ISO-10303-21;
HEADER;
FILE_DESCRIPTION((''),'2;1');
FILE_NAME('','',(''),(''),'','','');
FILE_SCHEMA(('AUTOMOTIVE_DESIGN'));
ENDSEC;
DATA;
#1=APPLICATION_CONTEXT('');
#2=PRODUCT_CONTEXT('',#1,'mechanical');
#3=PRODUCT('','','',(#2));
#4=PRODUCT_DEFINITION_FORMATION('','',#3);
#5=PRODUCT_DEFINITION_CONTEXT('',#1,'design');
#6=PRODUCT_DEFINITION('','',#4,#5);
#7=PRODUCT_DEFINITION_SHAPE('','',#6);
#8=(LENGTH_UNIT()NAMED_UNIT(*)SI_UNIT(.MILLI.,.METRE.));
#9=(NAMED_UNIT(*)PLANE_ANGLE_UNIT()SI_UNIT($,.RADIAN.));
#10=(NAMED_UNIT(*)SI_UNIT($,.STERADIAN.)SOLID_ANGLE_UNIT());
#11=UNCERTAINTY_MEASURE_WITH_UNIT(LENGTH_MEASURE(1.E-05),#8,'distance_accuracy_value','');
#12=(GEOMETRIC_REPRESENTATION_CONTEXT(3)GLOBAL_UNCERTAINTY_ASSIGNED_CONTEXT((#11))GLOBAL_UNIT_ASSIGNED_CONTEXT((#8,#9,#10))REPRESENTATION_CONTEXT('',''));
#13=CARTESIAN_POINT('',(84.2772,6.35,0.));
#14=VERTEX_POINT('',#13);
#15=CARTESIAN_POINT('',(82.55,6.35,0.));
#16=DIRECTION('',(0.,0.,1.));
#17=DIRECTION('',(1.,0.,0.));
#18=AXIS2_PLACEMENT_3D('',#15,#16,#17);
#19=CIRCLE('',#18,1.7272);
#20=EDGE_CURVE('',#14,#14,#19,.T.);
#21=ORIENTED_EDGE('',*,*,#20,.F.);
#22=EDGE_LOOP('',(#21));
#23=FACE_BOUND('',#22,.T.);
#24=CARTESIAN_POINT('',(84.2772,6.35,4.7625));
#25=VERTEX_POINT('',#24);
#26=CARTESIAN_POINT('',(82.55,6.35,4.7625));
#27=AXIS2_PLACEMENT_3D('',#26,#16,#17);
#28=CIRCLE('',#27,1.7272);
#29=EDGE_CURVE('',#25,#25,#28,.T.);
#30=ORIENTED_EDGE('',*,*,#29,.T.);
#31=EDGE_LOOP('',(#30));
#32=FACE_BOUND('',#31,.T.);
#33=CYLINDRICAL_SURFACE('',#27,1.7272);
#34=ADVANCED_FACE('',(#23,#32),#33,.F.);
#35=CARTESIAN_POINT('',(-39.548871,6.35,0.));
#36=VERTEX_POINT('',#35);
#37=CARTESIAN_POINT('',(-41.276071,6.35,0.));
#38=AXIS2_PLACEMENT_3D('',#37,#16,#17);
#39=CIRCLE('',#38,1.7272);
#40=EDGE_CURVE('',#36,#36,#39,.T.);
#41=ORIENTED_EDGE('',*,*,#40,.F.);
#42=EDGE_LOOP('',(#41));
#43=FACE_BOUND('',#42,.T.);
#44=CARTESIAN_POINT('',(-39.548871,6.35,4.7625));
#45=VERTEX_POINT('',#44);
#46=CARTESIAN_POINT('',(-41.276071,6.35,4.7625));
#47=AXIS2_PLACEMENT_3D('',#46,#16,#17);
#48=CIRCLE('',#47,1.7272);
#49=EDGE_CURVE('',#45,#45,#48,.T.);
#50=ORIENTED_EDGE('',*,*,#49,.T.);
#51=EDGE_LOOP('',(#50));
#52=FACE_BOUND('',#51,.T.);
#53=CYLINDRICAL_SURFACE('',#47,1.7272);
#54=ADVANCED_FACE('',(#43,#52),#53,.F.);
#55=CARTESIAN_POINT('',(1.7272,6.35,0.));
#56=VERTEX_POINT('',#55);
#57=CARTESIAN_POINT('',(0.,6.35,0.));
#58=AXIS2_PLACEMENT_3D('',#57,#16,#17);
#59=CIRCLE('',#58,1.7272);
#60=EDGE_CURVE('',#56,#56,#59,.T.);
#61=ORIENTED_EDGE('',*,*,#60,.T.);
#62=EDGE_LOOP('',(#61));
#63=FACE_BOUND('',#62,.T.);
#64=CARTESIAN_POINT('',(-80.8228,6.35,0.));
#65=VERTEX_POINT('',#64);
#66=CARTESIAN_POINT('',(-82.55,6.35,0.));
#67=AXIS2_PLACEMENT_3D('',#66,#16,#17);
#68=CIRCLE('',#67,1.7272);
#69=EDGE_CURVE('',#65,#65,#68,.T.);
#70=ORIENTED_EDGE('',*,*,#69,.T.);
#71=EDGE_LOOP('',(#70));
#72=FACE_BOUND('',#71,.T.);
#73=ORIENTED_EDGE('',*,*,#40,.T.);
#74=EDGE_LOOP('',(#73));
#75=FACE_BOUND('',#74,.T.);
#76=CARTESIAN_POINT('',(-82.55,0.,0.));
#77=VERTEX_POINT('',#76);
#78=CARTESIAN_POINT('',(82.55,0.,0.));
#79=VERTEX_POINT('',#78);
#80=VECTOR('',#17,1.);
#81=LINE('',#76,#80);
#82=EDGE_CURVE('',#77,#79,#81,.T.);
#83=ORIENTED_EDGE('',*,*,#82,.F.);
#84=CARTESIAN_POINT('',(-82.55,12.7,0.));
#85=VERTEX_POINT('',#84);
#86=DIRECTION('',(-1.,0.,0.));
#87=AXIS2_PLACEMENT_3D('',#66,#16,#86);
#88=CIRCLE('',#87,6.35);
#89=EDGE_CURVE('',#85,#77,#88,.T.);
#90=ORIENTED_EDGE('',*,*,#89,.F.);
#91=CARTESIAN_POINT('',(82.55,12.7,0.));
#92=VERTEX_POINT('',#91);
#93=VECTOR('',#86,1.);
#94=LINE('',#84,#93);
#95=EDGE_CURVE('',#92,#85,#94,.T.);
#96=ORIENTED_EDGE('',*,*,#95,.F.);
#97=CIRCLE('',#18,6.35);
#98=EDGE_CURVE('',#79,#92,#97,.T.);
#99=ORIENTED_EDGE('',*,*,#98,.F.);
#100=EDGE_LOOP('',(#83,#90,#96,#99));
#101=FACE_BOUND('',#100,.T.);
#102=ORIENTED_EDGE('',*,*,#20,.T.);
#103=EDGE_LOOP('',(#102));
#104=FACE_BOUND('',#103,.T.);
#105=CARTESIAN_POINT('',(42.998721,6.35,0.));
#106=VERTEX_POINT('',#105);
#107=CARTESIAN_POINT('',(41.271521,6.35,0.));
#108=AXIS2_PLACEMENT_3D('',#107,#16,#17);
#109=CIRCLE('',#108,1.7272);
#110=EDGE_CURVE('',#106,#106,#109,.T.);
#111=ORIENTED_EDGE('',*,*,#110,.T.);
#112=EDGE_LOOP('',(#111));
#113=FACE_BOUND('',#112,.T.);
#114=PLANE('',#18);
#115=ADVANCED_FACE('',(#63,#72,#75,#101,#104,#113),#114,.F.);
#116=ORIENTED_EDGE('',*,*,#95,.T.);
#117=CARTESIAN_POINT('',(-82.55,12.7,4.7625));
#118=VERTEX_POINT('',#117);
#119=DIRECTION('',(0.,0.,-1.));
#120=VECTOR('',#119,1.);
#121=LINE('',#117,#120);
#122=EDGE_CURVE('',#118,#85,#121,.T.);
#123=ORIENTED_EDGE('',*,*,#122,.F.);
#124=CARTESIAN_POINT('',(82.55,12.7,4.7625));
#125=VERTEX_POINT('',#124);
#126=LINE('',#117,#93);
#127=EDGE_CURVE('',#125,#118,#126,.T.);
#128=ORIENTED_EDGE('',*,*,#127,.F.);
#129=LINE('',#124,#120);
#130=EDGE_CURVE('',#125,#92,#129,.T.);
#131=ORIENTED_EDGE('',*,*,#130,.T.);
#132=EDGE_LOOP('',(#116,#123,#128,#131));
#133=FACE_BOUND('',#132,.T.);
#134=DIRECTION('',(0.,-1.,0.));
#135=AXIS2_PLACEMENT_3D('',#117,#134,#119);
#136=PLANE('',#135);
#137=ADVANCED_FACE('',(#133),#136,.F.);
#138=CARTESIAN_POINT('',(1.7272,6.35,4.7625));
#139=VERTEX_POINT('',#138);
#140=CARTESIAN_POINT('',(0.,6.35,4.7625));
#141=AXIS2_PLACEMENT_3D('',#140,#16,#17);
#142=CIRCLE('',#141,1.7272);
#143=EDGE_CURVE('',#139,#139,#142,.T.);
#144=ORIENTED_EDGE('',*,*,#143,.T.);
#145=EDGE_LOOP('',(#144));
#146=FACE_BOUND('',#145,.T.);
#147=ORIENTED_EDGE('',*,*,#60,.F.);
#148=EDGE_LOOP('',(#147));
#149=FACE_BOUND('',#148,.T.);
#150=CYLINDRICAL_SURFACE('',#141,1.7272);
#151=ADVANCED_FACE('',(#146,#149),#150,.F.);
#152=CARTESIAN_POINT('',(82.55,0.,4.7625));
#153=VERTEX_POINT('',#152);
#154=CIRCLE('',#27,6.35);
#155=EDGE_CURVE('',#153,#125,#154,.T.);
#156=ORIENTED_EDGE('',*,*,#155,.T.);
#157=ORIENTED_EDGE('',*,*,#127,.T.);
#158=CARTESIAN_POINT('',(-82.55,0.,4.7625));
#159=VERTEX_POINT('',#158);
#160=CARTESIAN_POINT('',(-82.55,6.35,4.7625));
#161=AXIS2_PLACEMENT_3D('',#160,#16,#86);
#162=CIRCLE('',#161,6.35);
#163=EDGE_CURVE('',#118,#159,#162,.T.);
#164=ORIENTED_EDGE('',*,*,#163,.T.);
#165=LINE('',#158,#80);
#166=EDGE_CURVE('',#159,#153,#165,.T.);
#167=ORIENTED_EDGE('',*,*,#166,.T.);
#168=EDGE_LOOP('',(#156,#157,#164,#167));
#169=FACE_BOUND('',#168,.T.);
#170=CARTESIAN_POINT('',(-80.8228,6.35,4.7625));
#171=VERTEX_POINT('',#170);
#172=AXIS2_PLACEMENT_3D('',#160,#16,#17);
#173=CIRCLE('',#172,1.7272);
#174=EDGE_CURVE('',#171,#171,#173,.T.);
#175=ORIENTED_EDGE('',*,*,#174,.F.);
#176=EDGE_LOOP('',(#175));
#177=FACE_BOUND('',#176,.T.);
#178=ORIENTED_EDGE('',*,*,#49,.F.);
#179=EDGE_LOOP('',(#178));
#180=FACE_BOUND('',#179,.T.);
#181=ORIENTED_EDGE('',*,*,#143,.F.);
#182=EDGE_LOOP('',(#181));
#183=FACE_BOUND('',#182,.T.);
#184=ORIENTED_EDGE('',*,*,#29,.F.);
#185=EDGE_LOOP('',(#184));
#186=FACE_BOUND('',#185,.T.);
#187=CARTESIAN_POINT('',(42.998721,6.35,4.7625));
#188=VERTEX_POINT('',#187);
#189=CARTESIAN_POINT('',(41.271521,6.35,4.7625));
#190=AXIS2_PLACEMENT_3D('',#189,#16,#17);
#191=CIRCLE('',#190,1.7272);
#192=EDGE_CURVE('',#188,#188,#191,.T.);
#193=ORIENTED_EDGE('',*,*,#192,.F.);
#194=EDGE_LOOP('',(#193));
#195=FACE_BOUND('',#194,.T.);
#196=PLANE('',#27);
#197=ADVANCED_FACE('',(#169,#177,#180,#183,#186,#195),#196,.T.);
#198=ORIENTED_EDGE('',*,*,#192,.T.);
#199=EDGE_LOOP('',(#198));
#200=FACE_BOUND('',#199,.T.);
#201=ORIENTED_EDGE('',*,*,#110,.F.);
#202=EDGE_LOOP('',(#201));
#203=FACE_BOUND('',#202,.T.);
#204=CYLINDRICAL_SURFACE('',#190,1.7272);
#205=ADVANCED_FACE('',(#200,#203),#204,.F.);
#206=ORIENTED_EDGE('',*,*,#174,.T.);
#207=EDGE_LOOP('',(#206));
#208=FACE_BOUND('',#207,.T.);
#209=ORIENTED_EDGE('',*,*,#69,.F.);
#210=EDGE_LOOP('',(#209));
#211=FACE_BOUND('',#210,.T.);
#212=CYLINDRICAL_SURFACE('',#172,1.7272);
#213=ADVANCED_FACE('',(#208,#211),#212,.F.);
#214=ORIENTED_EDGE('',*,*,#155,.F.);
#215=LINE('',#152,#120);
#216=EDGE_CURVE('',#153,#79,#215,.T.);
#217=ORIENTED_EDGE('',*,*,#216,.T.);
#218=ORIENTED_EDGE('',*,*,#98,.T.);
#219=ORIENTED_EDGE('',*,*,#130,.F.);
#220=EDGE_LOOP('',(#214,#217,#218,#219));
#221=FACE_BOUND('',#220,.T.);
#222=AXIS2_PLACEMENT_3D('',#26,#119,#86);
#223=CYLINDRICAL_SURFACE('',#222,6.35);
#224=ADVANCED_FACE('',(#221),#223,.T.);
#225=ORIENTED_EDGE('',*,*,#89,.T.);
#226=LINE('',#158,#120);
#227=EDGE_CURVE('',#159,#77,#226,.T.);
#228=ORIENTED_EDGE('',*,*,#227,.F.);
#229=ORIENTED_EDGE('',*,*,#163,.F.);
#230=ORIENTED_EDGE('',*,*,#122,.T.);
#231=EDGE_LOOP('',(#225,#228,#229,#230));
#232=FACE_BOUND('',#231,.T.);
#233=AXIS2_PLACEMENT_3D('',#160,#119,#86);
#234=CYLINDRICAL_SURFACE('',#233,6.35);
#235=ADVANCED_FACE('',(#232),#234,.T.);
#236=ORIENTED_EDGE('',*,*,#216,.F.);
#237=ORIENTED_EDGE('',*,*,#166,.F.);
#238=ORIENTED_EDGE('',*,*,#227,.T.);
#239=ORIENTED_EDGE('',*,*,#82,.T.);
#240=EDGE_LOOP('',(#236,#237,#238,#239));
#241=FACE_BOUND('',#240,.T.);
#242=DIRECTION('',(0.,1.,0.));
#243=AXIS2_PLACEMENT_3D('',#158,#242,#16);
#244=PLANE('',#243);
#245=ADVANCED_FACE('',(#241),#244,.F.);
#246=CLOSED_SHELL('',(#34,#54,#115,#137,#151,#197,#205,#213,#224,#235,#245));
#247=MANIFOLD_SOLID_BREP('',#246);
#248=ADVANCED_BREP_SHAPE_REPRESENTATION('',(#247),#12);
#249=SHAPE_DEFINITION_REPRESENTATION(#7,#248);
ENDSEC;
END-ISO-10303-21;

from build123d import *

# Parameters (mm, degrees)
BOSS_EXTRUDE1_DEPTH       = 4.7625
F_8_32_TAPPED_HOLE1_D     = 3.4544
F_8_32_TAPPED_HOLE1_DEPTH = 12.192
F_8_32_TAPPED_HOLE1_TIP   = 1.037806461


with BuildPart() as part:
    # Sketch1 → Boss-Extrude1 (new body)
    with BuildSketch(Plane.XY):
        with BuildLine():
            Line((-82.55, 0), (82.55, 0))
            ThreePointArc((82.55, 0), (88.9, 6.35), (82.55, 12.7))
            Line((82.55, 12.7), (-82.55, 12.7))
            ThreePointArc((-82.55, 12.7), (-88.9, 6.35), (-82.55, 0))
        make_face()
    extrude(amount=BOSS_EXTRUDE1_DEPTH)

    # #8-32 Tapped Hole1
    with Locations(Plane.XY.offset(4.7625)):
        with Locations((-82.55, 6.35), (82.55, 6.35), (0, 6.35), (41.27152138, 6.35), (-41.276070924, 6.35)):
            Hole(F_8_32_TAPPED_HOLE1_D / 2, depth=F_8_32_TAPPED_HOLE1_DEPTH)
            with Locations((0, 0, -(F_8_32_TAPPED_HOLE1_DEPTH + F_8_32_TAPPED_HOLE1_TIP / 2))):  # 118° drill point
                Cone(0, F_8_32_TAPPED_HOLE1_D / 2, F_8_32_TAPPED_HOLE1_TIP, mode=Mode.SUBTRACT)


solid = part.part
